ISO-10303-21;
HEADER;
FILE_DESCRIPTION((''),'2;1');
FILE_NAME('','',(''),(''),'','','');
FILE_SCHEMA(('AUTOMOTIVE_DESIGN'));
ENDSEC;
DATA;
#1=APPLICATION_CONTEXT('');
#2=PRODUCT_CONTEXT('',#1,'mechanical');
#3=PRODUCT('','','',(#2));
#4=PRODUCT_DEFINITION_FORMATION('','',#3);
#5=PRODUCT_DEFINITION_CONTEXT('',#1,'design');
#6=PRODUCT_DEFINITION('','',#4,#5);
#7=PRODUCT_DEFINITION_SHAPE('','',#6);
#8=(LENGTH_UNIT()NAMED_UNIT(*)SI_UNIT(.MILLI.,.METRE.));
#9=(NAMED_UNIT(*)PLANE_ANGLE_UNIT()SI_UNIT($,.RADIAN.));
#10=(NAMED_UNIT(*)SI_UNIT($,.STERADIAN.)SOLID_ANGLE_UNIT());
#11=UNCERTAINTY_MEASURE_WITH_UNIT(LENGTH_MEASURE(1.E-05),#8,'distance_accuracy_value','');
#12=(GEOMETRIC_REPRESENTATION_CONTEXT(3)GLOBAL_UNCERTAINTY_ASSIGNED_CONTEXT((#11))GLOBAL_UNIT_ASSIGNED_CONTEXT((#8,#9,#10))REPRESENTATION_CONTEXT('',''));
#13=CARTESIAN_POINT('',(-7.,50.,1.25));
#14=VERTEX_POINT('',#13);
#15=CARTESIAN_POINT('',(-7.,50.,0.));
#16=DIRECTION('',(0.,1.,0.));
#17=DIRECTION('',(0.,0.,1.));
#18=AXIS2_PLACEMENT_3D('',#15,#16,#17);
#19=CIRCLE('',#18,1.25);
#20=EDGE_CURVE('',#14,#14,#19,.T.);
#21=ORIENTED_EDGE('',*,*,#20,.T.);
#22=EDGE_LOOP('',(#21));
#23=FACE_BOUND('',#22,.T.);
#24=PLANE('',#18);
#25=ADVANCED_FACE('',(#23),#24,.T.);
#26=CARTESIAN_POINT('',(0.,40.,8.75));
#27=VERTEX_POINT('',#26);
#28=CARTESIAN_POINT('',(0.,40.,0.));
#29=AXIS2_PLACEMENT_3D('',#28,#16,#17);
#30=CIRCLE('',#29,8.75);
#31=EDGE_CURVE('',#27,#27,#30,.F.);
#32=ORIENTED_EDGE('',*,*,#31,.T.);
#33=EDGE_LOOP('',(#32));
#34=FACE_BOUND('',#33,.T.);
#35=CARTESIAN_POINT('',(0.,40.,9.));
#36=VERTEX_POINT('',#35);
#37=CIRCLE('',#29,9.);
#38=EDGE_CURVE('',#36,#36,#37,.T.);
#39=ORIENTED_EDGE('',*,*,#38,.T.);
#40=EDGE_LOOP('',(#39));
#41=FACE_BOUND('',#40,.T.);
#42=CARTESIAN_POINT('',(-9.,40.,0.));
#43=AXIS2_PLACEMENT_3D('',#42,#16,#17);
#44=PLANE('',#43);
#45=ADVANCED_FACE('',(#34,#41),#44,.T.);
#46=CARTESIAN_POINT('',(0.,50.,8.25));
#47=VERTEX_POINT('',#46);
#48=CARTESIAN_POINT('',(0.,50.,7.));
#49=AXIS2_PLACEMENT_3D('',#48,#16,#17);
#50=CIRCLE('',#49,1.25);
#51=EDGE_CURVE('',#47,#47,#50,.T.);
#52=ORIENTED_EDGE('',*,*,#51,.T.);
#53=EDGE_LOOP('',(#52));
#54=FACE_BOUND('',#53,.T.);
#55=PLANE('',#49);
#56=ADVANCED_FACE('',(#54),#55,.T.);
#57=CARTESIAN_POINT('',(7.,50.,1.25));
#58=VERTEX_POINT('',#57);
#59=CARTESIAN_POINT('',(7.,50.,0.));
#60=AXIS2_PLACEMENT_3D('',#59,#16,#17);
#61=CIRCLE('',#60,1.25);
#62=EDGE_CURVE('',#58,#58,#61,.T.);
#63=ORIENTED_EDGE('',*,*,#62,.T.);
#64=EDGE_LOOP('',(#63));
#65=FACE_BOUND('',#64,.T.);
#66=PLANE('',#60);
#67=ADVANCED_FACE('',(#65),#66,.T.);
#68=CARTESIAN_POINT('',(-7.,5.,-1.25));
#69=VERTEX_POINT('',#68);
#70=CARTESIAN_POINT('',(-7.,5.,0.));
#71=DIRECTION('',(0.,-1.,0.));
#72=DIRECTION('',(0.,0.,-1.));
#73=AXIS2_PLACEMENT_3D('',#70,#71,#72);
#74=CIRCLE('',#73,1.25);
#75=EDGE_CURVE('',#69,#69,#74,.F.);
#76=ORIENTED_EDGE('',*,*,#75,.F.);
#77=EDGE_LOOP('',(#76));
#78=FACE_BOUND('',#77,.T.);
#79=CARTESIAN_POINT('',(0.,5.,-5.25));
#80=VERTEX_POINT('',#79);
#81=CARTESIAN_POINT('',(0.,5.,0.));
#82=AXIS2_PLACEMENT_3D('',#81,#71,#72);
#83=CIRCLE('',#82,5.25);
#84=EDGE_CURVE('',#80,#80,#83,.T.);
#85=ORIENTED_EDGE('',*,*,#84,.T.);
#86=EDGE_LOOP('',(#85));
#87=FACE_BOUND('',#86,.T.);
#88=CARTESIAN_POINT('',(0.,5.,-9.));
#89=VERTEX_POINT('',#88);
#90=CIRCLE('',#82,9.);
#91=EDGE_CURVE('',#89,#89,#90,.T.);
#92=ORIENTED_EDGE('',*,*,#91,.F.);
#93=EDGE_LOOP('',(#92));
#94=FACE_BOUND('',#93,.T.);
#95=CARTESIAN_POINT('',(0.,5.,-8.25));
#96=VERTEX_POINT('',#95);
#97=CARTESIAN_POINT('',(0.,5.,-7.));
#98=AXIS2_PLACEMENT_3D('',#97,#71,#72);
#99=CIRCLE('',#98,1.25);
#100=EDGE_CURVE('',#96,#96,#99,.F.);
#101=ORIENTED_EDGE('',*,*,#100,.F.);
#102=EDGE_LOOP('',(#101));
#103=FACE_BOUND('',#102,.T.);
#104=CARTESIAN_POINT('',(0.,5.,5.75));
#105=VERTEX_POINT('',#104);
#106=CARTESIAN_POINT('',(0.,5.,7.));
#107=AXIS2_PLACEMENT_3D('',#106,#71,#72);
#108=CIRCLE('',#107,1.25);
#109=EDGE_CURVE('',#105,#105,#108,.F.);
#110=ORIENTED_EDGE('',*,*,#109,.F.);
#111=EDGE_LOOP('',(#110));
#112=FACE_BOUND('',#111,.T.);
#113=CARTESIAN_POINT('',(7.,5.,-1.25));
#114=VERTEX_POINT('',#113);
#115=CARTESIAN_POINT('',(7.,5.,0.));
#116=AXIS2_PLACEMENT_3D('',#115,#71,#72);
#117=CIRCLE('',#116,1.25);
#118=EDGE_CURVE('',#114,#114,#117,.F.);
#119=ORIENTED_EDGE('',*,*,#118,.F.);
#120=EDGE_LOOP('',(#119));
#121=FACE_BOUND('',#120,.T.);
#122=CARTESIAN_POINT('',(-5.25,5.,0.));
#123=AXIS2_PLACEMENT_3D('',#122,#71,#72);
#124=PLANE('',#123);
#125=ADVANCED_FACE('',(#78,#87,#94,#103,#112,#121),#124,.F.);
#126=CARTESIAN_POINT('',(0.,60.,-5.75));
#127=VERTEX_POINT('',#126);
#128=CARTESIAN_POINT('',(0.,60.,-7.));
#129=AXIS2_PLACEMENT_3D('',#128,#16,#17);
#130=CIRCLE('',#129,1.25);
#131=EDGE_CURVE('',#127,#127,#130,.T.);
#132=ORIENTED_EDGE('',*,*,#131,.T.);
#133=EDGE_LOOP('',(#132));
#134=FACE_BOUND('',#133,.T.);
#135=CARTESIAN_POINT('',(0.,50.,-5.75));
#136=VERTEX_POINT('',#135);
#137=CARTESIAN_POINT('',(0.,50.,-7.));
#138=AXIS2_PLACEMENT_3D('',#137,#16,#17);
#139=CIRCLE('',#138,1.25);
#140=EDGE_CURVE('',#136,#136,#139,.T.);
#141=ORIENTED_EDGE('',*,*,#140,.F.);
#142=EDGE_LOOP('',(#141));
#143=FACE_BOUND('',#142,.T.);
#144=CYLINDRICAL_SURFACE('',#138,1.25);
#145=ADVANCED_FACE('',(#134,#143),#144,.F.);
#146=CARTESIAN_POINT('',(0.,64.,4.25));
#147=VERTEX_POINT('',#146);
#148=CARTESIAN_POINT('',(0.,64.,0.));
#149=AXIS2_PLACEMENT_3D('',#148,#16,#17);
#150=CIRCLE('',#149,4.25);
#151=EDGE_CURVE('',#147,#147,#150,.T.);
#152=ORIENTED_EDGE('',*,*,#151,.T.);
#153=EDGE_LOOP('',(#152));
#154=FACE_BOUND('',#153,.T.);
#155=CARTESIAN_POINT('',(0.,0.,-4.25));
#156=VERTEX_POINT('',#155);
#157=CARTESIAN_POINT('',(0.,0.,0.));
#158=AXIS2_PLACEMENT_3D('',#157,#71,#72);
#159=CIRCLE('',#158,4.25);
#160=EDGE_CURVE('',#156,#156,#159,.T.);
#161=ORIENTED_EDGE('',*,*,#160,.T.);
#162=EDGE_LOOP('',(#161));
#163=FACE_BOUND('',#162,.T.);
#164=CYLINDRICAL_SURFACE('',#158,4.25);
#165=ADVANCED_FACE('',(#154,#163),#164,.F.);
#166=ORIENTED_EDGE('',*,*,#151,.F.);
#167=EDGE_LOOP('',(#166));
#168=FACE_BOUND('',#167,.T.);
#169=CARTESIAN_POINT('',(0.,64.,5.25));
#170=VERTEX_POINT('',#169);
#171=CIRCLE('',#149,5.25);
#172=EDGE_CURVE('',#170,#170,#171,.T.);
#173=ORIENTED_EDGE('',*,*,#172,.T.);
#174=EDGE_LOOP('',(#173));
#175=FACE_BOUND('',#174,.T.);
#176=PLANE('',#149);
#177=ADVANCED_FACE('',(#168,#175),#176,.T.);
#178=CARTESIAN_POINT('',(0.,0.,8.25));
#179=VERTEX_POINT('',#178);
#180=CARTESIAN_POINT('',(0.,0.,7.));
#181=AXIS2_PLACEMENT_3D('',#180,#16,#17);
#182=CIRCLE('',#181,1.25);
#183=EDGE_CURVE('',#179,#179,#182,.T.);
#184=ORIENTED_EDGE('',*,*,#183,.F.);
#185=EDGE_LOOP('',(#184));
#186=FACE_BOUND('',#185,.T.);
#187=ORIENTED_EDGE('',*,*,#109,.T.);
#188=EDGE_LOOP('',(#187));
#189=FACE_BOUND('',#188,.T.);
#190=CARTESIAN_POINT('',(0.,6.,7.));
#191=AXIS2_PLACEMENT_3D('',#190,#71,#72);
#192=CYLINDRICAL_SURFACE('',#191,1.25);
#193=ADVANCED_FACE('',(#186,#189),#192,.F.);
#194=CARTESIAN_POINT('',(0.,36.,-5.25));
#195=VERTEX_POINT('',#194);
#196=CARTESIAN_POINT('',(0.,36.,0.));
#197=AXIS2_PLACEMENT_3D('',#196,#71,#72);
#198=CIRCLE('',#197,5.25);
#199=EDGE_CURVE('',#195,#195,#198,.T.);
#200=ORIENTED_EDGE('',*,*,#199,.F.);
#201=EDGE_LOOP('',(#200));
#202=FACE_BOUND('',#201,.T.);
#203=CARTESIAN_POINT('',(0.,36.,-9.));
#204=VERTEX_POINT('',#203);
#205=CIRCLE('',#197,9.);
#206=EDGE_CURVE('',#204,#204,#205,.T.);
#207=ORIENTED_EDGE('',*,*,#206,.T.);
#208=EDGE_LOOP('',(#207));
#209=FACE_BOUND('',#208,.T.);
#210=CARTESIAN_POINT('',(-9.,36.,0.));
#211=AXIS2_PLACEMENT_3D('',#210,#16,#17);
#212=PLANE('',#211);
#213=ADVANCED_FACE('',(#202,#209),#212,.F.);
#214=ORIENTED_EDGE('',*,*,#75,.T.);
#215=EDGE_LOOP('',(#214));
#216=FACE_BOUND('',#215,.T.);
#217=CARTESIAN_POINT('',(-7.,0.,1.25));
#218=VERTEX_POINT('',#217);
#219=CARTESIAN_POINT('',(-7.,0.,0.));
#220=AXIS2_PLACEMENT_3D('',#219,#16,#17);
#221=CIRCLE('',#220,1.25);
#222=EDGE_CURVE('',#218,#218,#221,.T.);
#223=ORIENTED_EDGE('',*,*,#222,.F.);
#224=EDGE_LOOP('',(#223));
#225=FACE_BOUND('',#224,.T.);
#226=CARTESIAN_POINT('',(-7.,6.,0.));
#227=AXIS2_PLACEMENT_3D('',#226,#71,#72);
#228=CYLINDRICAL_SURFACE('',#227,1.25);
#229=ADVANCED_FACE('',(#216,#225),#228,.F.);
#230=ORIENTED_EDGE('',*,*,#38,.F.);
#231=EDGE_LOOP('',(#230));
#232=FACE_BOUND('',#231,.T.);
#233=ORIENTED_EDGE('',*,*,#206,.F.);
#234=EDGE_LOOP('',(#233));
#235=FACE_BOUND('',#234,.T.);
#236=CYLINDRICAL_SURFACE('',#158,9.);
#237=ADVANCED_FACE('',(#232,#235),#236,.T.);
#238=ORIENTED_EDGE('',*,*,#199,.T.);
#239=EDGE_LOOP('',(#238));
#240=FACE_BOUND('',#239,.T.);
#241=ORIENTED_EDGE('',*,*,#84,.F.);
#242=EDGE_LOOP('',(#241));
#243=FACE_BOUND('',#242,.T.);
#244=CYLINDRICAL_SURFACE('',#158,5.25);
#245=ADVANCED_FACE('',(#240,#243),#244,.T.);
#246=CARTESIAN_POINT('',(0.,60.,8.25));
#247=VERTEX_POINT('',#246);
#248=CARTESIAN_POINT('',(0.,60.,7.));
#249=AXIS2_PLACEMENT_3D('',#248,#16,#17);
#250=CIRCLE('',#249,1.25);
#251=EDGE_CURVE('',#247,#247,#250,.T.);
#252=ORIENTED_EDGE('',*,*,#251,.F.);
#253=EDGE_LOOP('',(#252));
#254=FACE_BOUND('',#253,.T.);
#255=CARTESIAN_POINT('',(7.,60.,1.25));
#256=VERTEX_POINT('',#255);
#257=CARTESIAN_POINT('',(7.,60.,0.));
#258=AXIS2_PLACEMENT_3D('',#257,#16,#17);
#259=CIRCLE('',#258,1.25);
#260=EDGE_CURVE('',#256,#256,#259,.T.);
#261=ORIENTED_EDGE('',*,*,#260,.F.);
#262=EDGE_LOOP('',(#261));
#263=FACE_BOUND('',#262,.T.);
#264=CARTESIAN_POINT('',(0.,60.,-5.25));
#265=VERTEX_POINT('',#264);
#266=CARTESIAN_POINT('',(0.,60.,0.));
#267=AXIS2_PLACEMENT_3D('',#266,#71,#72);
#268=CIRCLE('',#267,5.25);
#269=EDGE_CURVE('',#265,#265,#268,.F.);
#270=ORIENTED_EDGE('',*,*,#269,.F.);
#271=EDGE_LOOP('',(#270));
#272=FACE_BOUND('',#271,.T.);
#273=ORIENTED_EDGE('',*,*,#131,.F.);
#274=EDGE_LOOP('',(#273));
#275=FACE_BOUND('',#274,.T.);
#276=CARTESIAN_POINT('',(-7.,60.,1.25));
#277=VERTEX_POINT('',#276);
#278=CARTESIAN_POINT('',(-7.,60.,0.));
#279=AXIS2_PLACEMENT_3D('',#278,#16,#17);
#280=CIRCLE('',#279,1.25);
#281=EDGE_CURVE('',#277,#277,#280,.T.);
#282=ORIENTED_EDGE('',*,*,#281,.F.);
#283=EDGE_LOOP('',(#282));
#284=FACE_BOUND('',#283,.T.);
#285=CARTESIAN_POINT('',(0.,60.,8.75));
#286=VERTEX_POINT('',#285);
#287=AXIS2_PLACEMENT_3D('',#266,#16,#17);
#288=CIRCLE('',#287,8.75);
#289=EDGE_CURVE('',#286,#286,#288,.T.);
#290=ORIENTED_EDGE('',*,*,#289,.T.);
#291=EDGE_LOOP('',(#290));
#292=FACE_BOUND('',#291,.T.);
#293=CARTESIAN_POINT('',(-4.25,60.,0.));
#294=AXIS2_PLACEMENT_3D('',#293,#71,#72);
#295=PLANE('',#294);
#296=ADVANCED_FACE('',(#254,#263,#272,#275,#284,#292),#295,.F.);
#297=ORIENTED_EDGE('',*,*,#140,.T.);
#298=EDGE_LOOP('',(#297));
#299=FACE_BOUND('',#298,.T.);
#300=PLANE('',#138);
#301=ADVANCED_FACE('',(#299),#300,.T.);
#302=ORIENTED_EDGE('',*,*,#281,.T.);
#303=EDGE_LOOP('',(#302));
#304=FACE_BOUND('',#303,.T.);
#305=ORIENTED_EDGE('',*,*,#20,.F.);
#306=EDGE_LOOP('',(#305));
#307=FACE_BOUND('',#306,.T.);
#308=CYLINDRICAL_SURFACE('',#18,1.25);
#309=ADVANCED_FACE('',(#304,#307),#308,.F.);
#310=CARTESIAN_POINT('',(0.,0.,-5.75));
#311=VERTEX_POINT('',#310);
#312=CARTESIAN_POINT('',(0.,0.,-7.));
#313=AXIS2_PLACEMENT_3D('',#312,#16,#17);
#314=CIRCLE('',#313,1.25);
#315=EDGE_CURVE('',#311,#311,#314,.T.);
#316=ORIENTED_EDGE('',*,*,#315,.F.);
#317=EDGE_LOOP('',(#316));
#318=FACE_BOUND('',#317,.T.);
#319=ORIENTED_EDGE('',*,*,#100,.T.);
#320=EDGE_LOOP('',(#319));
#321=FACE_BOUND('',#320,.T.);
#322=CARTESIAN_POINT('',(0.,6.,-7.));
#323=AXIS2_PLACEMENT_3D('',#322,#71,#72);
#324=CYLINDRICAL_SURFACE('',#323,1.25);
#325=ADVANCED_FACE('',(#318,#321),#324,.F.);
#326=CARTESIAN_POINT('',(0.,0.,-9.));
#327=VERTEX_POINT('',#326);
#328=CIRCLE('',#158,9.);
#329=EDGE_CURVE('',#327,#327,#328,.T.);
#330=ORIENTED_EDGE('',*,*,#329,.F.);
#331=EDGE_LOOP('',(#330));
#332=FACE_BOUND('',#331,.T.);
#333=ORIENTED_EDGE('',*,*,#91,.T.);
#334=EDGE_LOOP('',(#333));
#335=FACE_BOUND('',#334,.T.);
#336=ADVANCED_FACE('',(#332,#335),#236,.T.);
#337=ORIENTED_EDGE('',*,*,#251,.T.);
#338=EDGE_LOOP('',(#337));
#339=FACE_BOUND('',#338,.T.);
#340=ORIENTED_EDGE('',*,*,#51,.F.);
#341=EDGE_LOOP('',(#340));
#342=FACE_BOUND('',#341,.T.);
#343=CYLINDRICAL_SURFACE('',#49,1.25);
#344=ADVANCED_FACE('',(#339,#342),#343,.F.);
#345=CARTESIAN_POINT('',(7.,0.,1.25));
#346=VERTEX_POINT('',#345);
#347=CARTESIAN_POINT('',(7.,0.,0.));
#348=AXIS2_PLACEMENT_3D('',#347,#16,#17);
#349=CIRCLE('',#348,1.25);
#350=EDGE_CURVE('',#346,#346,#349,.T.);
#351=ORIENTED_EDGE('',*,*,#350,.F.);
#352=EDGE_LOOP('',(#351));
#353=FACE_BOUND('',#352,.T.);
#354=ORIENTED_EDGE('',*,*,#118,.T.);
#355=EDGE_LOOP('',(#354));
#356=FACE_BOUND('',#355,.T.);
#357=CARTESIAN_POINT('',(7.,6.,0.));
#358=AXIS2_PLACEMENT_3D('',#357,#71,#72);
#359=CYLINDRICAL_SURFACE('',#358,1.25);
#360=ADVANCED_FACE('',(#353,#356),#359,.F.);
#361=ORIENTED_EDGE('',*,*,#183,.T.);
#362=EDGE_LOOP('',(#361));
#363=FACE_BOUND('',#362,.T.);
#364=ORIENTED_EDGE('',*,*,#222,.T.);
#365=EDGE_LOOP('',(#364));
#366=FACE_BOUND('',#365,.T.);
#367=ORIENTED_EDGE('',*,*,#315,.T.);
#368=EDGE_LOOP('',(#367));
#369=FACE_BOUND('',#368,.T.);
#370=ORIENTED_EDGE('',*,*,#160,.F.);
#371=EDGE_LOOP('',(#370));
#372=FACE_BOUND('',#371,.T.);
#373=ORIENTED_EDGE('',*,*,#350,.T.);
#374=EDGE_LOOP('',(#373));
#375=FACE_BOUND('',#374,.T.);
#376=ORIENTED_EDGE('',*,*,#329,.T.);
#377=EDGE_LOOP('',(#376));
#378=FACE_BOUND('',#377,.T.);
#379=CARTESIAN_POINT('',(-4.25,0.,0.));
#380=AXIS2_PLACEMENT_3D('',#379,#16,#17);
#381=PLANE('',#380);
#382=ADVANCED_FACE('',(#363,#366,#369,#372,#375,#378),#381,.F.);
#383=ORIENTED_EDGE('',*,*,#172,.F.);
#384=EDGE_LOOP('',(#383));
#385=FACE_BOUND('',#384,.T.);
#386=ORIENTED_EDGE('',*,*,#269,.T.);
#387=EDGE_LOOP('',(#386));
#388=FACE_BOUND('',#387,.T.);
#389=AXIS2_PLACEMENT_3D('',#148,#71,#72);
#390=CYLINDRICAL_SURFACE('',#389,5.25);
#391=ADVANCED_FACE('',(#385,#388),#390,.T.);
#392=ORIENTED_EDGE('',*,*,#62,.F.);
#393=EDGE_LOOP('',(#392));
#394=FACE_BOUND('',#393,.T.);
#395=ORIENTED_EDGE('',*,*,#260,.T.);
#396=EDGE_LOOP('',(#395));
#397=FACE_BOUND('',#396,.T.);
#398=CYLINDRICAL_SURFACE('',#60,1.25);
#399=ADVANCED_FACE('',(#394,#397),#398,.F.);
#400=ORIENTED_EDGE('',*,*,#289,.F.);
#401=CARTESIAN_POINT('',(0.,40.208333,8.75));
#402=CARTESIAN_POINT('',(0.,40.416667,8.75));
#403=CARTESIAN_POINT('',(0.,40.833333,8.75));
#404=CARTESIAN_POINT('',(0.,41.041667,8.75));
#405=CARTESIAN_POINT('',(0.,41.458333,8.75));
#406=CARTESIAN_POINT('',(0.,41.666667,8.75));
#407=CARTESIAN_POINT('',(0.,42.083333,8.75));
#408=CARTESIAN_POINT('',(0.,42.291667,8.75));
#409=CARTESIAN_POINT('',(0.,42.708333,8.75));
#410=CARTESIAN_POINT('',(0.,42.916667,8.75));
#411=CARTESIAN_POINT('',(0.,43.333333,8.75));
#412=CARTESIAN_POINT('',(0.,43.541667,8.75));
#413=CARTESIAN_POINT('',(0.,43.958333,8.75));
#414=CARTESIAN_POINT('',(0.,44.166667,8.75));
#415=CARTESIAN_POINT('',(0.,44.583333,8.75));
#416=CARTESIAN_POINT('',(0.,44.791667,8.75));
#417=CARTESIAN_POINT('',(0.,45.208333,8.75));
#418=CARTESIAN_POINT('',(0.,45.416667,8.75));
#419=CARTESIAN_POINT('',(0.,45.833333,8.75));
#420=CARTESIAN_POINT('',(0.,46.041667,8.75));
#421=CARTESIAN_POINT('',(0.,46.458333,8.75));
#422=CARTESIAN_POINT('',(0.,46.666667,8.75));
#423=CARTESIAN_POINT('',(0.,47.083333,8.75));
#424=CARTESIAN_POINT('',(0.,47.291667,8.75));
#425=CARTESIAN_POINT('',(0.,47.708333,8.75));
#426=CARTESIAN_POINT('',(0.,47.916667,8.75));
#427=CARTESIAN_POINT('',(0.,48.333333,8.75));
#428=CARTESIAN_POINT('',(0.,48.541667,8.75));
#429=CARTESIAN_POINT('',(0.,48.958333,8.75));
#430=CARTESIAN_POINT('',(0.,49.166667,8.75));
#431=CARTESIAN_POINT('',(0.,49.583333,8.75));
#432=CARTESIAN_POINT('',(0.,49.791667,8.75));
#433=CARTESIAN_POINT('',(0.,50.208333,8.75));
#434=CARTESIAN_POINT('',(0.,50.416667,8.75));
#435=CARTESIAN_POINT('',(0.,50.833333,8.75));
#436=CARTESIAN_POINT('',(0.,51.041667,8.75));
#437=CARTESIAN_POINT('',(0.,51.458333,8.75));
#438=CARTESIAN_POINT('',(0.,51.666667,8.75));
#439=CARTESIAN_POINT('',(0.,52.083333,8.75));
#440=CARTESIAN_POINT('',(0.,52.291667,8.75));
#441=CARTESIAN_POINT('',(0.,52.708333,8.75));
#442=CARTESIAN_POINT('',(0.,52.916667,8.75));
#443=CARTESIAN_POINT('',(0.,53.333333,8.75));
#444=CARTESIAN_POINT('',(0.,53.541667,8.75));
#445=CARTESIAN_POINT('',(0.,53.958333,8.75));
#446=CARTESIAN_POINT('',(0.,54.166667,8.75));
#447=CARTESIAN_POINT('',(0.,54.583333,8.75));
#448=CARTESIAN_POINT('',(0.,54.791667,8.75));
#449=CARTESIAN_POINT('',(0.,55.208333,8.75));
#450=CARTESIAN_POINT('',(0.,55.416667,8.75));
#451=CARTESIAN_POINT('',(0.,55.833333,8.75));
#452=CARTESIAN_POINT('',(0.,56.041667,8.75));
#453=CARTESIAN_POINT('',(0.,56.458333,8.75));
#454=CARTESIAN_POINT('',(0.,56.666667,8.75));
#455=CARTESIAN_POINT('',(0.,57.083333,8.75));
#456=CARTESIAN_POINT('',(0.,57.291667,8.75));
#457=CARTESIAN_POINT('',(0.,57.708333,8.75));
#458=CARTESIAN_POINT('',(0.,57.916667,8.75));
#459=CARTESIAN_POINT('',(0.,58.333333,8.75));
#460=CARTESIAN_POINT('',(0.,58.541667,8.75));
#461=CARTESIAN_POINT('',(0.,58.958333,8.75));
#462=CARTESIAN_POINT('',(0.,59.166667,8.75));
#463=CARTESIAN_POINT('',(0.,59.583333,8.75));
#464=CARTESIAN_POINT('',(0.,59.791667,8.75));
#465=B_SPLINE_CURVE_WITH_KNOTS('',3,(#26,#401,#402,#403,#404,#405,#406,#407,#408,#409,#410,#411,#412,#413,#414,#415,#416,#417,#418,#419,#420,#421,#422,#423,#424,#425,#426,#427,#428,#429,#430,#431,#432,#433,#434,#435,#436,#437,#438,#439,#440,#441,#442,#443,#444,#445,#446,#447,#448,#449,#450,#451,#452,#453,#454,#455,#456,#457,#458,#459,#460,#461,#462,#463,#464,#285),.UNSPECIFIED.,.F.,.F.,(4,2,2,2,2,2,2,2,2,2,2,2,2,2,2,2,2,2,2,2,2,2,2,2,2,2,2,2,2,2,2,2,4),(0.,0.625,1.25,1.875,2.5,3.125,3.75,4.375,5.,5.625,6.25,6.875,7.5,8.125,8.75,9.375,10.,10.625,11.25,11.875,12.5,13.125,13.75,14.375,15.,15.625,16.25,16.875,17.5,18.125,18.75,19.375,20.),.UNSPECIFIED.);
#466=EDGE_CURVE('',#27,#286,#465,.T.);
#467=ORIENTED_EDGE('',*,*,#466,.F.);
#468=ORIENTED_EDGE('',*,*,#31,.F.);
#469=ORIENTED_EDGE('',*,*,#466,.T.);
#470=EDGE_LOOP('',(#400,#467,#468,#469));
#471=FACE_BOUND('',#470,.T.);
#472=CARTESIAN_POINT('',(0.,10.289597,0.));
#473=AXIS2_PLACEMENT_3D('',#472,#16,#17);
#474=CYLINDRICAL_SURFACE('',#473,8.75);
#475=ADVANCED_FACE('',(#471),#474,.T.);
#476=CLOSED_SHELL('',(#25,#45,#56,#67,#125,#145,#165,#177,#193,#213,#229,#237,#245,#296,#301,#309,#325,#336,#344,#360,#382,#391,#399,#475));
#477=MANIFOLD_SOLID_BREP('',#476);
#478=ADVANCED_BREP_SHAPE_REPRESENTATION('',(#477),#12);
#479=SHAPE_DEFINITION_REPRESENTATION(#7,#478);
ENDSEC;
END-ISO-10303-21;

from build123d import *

# Parameters (mm, degrees)
SKETCH_2_R          = 1.25
CUT_EXTRUDE_1_DEPTH = 10
CUT_EXTRUDE_START   = -60
SKETCH_2_2_R        = 1.25
CUT_EXTRUDE_2_DEPTH = 6
SKETCH_3_OUTSIDE_W  = 33.036
SKETCH_3_OUTSIDE_H  = 33.036
SKETCH_3_OUTSIDE_R  = 8.75
CUT_EXTRUDE_3_DEPTH = 20
SKETCH_4_R          = 5.25
SKETCH_4_R_2        = 4.25
EXTRUDE_1_DEPTH     = 4


with BuildPart() as part:
    # 草图1 → 旋转1 (revolve)
    with BuildSketch(Plane.XY, mode=Mode.PRIVATE) as revolve_1_sk:
        Polygon((-9, 36), (-5.25, 36), (-5.25, 5), (-9, 5), (-9, 0), (-4.25, 0), (-4.25, 60), (-9, 60), align=None)
    revolve(revolve_1_sk.sketch.rotate(Axis((0, 0, 0), (0, 1, 0)), 270), axis=Axis((0, 0, 0), (0, 1, 0)))

    # 草图2 → 切除-拉伸1 (cut)
    with BuildSketch(Plane(origin=(0, 60, 0), x_dir=(1, 0, 0), z_dir=(0, 1, 0))):
        with Locations(Location((0, 7, 0), (0, 0, 270))):
            Circle(SKETCH_2_R)
        with Locations(Location((0, -7, 0), (0, 0, 270))):
            Circle(SKETCH_2_R)
        with Locations(Location((-7, 0, 0), (0, 0, 270))):
            Circle(SKETCH_2_R)
        with Locations(Location((7, 0, 0), (0, 0, 270))):
            Circle(SKETCH_2_R)
    extrude(amount=-CUT_EXTRUDE_1_DEPTH, mode=Mode.SUBTRACT)

    # 草图2<2> → 切除-拉伸2 (cut)
    with BuildSketch(Plane(origin=(0, 60, 0), x_dir=(1, 0, 0), z_dir=(0, 1, 0)).offset(CUT_EXTRUDE_START)):
        with Locations(Location((0, 7, 0), (0, 0, 270))):
            Circle(SKETCH_2_2_R)
        with Locations(Location((0, -7, 0), (0, 0, 270))):
            Circle(SKETCH_2_2_R)
        with Locations(Location((-7, 0, 0), (0, 0, 270))):
            Circle(SKETCH_2_2_R)
        with Locations(Location((7, 0, 0), (0, 0, 270))):
            Circle(SKETCH_2_2_R)
    extrude(amount=CUT_EXTRUDE_2_DEPTH, mode=Mode.SUBTRACT)

    # 草图3 outside → 切除-拉伸3 (cut)
    with BuildSketch(Plane(origin=(0, 60, 0), x_dir=(1, 0, 0), z_dir=(0, 1, 0))):
        Rectangle(SKETCH_3_OUTSIDE_W, SKETCH_3_OUTSIDE_H)
        with Locations(Location((0, 0, 0), (0, 0, 270))):
            Circle(SKETCH_3_OUTSIDE_R, mode=Mode.SUBTRACT)
    extrude(amount=-CUT_EXTRUDE_3_DEPTH, mode=Mode.SUBTRACT)

    # 草图4 → 凸台-拉伸1 (add)
    with BuildSketch(Plane(origin=(0, 60, 0), x_dir=(1, 0, 0), z_dir=(0, 1, 0))):
        with Locations(Location((0, 0, 0), (0, 0, 90))):
            Circle(SKETCH_4_R)
        with Locations(Location((0, 0, 0), (0, 0, 90))):
            Circle(SKETCH_4_R_2, mode=Mode.SUBTRACT)
    extrude(amount=EXTRUDE_1_DEPTH)


solid = part.part
